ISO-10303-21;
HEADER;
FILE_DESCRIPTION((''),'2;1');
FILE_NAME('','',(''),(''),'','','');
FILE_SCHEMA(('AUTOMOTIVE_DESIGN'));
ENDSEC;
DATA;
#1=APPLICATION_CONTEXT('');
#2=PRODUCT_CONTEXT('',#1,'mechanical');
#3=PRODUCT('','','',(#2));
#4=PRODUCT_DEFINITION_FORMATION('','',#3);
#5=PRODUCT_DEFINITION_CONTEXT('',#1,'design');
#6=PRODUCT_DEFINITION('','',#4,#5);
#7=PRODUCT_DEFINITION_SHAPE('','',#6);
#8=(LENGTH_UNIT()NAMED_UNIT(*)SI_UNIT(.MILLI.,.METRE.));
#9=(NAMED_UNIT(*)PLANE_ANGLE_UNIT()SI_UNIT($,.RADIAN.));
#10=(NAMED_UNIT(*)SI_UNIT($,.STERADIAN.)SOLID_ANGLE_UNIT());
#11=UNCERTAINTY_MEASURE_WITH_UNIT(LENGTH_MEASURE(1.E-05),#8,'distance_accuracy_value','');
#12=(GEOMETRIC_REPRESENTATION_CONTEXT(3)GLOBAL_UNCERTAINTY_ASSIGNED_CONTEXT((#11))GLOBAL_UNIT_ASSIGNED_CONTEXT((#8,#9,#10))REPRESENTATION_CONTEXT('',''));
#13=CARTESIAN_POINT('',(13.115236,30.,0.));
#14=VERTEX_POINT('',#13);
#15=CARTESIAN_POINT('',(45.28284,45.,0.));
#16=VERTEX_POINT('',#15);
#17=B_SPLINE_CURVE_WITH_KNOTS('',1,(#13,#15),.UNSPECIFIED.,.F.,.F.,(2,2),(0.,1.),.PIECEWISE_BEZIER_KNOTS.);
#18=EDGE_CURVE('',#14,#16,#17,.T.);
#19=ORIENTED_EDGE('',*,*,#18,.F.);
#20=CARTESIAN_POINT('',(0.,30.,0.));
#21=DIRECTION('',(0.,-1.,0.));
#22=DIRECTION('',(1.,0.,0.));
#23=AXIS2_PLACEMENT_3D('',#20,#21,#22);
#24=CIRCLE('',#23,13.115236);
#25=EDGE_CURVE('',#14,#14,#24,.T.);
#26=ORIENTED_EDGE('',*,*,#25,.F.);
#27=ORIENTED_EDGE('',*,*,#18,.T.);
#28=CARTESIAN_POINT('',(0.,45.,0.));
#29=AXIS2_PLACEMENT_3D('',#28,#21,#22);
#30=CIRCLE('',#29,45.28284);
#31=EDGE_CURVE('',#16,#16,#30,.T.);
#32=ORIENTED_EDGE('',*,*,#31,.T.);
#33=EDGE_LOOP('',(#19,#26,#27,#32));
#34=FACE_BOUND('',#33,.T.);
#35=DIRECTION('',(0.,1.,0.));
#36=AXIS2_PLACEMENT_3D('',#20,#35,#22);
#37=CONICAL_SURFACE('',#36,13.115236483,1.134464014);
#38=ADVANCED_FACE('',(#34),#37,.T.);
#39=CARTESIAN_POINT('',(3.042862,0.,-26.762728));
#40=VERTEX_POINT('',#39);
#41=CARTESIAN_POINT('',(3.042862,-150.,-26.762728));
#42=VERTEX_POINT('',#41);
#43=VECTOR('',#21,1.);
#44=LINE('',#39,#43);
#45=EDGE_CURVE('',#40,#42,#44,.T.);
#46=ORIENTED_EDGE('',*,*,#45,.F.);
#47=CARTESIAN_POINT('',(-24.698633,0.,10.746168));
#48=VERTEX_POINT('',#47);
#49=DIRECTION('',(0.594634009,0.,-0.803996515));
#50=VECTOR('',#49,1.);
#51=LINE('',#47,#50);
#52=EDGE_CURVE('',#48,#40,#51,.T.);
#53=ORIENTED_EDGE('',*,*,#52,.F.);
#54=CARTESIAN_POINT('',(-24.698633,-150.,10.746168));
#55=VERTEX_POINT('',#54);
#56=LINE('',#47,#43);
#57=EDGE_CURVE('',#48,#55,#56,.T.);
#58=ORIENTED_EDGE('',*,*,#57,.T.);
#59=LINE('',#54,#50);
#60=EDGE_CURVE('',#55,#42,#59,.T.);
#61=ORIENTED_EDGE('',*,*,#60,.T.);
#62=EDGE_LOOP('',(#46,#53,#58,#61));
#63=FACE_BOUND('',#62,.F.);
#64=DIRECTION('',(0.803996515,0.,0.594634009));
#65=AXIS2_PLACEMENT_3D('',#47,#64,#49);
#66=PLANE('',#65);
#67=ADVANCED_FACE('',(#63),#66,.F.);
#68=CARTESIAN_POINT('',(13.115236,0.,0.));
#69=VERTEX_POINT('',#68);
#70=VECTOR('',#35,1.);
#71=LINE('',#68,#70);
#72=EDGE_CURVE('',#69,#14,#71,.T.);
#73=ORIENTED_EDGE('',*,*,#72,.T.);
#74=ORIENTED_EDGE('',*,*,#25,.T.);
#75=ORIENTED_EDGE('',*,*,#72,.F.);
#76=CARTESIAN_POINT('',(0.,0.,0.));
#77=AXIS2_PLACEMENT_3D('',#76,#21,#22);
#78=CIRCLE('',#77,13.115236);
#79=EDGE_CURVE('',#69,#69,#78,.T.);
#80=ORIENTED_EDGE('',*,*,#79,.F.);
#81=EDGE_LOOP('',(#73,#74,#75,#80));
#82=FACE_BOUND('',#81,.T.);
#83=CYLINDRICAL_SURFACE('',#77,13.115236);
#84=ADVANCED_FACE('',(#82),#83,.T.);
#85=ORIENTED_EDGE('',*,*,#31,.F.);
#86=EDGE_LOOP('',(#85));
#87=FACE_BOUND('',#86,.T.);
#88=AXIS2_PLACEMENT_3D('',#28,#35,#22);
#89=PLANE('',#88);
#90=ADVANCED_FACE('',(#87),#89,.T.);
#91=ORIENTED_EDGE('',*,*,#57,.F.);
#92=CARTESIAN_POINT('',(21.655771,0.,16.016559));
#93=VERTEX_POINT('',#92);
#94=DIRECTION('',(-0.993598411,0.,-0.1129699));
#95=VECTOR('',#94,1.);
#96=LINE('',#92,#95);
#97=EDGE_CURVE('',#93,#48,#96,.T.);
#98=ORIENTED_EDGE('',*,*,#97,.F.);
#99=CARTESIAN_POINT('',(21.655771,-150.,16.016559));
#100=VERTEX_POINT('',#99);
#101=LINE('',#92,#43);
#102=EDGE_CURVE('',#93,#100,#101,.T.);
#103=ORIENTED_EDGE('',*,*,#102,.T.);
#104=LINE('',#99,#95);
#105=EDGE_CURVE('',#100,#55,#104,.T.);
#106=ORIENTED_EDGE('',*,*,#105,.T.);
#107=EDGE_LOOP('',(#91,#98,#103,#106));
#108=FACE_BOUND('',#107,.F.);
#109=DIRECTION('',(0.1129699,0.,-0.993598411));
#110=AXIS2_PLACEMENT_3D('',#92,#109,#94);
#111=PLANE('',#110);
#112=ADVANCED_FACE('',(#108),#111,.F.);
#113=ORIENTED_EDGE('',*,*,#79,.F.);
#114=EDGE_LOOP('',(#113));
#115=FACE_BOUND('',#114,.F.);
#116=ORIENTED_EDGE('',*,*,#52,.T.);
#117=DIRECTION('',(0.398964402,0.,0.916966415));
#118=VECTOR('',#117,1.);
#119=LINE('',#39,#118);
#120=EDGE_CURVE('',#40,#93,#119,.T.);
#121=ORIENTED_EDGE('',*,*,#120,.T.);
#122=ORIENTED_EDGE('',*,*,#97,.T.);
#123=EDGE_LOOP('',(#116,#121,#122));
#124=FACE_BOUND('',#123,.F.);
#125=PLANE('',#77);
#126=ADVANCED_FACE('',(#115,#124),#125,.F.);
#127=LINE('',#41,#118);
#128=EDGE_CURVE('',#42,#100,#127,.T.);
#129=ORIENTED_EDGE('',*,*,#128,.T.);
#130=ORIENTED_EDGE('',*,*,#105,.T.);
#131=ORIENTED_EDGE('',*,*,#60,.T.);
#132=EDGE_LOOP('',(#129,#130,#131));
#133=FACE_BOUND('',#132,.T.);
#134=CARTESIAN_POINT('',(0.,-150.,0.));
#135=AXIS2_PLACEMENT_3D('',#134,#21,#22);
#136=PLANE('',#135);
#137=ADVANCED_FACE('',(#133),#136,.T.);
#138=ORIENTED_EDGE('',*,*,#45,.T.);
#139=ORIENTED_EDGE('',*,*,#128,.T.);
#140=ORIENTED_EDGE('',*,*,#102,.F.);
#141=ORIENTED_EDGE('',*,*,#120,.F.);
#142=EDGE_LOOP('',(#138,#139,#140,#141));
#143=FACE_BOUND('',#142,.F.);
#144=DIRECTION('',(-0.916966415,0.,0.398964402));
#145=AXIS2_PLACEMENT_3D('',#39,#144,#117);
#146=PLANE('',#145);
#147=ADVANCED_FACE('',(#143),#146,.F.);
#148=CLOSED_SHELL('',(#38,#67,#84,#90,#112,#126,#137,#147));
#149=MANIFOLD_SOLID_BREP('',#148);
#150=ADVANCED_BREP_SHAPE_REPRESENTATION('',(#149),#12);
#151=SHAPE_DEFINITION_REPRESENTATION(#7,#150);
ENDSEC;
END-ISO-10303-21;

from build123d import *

# Parameters (mm, degrees)
F1_DEPTH  = 150
F2_R      = 13.1152364831
F3_DEPTH  = 30
F3_FACE_R = 13.1152364831
F4_DEPTH  = 15
F4_TAPER  = -65


with BuildPart() as f1:
    # F0 (on Front) → F1 (new body)
    with BuildSketch(Plane.XZ):
        Polygon((-24.6986329274, 10.7461681883), (3.0428618193, -26.762727648), (21.6557711081, 16.0165594597), align=None)
    extrude(amount=F1_DEPTH)

    # F2 (on Front) → F3 (join)
    with BuildSketch(Plane.XZ):
        Circle(F2_R)
    extrude(amount=-F3_DEPTH)

    # F3_face (on face) → F4 (join)
    with BuildSketch(Plane(origin=(0, 30, 0), x_dir=(1, 0, 0), z_dir=(0, 1, 0))):
        Circle(F3_FACE_R)
    extrude(amount=F4_DEPTH, taper=F4_TAPER)


solid = f1.part
